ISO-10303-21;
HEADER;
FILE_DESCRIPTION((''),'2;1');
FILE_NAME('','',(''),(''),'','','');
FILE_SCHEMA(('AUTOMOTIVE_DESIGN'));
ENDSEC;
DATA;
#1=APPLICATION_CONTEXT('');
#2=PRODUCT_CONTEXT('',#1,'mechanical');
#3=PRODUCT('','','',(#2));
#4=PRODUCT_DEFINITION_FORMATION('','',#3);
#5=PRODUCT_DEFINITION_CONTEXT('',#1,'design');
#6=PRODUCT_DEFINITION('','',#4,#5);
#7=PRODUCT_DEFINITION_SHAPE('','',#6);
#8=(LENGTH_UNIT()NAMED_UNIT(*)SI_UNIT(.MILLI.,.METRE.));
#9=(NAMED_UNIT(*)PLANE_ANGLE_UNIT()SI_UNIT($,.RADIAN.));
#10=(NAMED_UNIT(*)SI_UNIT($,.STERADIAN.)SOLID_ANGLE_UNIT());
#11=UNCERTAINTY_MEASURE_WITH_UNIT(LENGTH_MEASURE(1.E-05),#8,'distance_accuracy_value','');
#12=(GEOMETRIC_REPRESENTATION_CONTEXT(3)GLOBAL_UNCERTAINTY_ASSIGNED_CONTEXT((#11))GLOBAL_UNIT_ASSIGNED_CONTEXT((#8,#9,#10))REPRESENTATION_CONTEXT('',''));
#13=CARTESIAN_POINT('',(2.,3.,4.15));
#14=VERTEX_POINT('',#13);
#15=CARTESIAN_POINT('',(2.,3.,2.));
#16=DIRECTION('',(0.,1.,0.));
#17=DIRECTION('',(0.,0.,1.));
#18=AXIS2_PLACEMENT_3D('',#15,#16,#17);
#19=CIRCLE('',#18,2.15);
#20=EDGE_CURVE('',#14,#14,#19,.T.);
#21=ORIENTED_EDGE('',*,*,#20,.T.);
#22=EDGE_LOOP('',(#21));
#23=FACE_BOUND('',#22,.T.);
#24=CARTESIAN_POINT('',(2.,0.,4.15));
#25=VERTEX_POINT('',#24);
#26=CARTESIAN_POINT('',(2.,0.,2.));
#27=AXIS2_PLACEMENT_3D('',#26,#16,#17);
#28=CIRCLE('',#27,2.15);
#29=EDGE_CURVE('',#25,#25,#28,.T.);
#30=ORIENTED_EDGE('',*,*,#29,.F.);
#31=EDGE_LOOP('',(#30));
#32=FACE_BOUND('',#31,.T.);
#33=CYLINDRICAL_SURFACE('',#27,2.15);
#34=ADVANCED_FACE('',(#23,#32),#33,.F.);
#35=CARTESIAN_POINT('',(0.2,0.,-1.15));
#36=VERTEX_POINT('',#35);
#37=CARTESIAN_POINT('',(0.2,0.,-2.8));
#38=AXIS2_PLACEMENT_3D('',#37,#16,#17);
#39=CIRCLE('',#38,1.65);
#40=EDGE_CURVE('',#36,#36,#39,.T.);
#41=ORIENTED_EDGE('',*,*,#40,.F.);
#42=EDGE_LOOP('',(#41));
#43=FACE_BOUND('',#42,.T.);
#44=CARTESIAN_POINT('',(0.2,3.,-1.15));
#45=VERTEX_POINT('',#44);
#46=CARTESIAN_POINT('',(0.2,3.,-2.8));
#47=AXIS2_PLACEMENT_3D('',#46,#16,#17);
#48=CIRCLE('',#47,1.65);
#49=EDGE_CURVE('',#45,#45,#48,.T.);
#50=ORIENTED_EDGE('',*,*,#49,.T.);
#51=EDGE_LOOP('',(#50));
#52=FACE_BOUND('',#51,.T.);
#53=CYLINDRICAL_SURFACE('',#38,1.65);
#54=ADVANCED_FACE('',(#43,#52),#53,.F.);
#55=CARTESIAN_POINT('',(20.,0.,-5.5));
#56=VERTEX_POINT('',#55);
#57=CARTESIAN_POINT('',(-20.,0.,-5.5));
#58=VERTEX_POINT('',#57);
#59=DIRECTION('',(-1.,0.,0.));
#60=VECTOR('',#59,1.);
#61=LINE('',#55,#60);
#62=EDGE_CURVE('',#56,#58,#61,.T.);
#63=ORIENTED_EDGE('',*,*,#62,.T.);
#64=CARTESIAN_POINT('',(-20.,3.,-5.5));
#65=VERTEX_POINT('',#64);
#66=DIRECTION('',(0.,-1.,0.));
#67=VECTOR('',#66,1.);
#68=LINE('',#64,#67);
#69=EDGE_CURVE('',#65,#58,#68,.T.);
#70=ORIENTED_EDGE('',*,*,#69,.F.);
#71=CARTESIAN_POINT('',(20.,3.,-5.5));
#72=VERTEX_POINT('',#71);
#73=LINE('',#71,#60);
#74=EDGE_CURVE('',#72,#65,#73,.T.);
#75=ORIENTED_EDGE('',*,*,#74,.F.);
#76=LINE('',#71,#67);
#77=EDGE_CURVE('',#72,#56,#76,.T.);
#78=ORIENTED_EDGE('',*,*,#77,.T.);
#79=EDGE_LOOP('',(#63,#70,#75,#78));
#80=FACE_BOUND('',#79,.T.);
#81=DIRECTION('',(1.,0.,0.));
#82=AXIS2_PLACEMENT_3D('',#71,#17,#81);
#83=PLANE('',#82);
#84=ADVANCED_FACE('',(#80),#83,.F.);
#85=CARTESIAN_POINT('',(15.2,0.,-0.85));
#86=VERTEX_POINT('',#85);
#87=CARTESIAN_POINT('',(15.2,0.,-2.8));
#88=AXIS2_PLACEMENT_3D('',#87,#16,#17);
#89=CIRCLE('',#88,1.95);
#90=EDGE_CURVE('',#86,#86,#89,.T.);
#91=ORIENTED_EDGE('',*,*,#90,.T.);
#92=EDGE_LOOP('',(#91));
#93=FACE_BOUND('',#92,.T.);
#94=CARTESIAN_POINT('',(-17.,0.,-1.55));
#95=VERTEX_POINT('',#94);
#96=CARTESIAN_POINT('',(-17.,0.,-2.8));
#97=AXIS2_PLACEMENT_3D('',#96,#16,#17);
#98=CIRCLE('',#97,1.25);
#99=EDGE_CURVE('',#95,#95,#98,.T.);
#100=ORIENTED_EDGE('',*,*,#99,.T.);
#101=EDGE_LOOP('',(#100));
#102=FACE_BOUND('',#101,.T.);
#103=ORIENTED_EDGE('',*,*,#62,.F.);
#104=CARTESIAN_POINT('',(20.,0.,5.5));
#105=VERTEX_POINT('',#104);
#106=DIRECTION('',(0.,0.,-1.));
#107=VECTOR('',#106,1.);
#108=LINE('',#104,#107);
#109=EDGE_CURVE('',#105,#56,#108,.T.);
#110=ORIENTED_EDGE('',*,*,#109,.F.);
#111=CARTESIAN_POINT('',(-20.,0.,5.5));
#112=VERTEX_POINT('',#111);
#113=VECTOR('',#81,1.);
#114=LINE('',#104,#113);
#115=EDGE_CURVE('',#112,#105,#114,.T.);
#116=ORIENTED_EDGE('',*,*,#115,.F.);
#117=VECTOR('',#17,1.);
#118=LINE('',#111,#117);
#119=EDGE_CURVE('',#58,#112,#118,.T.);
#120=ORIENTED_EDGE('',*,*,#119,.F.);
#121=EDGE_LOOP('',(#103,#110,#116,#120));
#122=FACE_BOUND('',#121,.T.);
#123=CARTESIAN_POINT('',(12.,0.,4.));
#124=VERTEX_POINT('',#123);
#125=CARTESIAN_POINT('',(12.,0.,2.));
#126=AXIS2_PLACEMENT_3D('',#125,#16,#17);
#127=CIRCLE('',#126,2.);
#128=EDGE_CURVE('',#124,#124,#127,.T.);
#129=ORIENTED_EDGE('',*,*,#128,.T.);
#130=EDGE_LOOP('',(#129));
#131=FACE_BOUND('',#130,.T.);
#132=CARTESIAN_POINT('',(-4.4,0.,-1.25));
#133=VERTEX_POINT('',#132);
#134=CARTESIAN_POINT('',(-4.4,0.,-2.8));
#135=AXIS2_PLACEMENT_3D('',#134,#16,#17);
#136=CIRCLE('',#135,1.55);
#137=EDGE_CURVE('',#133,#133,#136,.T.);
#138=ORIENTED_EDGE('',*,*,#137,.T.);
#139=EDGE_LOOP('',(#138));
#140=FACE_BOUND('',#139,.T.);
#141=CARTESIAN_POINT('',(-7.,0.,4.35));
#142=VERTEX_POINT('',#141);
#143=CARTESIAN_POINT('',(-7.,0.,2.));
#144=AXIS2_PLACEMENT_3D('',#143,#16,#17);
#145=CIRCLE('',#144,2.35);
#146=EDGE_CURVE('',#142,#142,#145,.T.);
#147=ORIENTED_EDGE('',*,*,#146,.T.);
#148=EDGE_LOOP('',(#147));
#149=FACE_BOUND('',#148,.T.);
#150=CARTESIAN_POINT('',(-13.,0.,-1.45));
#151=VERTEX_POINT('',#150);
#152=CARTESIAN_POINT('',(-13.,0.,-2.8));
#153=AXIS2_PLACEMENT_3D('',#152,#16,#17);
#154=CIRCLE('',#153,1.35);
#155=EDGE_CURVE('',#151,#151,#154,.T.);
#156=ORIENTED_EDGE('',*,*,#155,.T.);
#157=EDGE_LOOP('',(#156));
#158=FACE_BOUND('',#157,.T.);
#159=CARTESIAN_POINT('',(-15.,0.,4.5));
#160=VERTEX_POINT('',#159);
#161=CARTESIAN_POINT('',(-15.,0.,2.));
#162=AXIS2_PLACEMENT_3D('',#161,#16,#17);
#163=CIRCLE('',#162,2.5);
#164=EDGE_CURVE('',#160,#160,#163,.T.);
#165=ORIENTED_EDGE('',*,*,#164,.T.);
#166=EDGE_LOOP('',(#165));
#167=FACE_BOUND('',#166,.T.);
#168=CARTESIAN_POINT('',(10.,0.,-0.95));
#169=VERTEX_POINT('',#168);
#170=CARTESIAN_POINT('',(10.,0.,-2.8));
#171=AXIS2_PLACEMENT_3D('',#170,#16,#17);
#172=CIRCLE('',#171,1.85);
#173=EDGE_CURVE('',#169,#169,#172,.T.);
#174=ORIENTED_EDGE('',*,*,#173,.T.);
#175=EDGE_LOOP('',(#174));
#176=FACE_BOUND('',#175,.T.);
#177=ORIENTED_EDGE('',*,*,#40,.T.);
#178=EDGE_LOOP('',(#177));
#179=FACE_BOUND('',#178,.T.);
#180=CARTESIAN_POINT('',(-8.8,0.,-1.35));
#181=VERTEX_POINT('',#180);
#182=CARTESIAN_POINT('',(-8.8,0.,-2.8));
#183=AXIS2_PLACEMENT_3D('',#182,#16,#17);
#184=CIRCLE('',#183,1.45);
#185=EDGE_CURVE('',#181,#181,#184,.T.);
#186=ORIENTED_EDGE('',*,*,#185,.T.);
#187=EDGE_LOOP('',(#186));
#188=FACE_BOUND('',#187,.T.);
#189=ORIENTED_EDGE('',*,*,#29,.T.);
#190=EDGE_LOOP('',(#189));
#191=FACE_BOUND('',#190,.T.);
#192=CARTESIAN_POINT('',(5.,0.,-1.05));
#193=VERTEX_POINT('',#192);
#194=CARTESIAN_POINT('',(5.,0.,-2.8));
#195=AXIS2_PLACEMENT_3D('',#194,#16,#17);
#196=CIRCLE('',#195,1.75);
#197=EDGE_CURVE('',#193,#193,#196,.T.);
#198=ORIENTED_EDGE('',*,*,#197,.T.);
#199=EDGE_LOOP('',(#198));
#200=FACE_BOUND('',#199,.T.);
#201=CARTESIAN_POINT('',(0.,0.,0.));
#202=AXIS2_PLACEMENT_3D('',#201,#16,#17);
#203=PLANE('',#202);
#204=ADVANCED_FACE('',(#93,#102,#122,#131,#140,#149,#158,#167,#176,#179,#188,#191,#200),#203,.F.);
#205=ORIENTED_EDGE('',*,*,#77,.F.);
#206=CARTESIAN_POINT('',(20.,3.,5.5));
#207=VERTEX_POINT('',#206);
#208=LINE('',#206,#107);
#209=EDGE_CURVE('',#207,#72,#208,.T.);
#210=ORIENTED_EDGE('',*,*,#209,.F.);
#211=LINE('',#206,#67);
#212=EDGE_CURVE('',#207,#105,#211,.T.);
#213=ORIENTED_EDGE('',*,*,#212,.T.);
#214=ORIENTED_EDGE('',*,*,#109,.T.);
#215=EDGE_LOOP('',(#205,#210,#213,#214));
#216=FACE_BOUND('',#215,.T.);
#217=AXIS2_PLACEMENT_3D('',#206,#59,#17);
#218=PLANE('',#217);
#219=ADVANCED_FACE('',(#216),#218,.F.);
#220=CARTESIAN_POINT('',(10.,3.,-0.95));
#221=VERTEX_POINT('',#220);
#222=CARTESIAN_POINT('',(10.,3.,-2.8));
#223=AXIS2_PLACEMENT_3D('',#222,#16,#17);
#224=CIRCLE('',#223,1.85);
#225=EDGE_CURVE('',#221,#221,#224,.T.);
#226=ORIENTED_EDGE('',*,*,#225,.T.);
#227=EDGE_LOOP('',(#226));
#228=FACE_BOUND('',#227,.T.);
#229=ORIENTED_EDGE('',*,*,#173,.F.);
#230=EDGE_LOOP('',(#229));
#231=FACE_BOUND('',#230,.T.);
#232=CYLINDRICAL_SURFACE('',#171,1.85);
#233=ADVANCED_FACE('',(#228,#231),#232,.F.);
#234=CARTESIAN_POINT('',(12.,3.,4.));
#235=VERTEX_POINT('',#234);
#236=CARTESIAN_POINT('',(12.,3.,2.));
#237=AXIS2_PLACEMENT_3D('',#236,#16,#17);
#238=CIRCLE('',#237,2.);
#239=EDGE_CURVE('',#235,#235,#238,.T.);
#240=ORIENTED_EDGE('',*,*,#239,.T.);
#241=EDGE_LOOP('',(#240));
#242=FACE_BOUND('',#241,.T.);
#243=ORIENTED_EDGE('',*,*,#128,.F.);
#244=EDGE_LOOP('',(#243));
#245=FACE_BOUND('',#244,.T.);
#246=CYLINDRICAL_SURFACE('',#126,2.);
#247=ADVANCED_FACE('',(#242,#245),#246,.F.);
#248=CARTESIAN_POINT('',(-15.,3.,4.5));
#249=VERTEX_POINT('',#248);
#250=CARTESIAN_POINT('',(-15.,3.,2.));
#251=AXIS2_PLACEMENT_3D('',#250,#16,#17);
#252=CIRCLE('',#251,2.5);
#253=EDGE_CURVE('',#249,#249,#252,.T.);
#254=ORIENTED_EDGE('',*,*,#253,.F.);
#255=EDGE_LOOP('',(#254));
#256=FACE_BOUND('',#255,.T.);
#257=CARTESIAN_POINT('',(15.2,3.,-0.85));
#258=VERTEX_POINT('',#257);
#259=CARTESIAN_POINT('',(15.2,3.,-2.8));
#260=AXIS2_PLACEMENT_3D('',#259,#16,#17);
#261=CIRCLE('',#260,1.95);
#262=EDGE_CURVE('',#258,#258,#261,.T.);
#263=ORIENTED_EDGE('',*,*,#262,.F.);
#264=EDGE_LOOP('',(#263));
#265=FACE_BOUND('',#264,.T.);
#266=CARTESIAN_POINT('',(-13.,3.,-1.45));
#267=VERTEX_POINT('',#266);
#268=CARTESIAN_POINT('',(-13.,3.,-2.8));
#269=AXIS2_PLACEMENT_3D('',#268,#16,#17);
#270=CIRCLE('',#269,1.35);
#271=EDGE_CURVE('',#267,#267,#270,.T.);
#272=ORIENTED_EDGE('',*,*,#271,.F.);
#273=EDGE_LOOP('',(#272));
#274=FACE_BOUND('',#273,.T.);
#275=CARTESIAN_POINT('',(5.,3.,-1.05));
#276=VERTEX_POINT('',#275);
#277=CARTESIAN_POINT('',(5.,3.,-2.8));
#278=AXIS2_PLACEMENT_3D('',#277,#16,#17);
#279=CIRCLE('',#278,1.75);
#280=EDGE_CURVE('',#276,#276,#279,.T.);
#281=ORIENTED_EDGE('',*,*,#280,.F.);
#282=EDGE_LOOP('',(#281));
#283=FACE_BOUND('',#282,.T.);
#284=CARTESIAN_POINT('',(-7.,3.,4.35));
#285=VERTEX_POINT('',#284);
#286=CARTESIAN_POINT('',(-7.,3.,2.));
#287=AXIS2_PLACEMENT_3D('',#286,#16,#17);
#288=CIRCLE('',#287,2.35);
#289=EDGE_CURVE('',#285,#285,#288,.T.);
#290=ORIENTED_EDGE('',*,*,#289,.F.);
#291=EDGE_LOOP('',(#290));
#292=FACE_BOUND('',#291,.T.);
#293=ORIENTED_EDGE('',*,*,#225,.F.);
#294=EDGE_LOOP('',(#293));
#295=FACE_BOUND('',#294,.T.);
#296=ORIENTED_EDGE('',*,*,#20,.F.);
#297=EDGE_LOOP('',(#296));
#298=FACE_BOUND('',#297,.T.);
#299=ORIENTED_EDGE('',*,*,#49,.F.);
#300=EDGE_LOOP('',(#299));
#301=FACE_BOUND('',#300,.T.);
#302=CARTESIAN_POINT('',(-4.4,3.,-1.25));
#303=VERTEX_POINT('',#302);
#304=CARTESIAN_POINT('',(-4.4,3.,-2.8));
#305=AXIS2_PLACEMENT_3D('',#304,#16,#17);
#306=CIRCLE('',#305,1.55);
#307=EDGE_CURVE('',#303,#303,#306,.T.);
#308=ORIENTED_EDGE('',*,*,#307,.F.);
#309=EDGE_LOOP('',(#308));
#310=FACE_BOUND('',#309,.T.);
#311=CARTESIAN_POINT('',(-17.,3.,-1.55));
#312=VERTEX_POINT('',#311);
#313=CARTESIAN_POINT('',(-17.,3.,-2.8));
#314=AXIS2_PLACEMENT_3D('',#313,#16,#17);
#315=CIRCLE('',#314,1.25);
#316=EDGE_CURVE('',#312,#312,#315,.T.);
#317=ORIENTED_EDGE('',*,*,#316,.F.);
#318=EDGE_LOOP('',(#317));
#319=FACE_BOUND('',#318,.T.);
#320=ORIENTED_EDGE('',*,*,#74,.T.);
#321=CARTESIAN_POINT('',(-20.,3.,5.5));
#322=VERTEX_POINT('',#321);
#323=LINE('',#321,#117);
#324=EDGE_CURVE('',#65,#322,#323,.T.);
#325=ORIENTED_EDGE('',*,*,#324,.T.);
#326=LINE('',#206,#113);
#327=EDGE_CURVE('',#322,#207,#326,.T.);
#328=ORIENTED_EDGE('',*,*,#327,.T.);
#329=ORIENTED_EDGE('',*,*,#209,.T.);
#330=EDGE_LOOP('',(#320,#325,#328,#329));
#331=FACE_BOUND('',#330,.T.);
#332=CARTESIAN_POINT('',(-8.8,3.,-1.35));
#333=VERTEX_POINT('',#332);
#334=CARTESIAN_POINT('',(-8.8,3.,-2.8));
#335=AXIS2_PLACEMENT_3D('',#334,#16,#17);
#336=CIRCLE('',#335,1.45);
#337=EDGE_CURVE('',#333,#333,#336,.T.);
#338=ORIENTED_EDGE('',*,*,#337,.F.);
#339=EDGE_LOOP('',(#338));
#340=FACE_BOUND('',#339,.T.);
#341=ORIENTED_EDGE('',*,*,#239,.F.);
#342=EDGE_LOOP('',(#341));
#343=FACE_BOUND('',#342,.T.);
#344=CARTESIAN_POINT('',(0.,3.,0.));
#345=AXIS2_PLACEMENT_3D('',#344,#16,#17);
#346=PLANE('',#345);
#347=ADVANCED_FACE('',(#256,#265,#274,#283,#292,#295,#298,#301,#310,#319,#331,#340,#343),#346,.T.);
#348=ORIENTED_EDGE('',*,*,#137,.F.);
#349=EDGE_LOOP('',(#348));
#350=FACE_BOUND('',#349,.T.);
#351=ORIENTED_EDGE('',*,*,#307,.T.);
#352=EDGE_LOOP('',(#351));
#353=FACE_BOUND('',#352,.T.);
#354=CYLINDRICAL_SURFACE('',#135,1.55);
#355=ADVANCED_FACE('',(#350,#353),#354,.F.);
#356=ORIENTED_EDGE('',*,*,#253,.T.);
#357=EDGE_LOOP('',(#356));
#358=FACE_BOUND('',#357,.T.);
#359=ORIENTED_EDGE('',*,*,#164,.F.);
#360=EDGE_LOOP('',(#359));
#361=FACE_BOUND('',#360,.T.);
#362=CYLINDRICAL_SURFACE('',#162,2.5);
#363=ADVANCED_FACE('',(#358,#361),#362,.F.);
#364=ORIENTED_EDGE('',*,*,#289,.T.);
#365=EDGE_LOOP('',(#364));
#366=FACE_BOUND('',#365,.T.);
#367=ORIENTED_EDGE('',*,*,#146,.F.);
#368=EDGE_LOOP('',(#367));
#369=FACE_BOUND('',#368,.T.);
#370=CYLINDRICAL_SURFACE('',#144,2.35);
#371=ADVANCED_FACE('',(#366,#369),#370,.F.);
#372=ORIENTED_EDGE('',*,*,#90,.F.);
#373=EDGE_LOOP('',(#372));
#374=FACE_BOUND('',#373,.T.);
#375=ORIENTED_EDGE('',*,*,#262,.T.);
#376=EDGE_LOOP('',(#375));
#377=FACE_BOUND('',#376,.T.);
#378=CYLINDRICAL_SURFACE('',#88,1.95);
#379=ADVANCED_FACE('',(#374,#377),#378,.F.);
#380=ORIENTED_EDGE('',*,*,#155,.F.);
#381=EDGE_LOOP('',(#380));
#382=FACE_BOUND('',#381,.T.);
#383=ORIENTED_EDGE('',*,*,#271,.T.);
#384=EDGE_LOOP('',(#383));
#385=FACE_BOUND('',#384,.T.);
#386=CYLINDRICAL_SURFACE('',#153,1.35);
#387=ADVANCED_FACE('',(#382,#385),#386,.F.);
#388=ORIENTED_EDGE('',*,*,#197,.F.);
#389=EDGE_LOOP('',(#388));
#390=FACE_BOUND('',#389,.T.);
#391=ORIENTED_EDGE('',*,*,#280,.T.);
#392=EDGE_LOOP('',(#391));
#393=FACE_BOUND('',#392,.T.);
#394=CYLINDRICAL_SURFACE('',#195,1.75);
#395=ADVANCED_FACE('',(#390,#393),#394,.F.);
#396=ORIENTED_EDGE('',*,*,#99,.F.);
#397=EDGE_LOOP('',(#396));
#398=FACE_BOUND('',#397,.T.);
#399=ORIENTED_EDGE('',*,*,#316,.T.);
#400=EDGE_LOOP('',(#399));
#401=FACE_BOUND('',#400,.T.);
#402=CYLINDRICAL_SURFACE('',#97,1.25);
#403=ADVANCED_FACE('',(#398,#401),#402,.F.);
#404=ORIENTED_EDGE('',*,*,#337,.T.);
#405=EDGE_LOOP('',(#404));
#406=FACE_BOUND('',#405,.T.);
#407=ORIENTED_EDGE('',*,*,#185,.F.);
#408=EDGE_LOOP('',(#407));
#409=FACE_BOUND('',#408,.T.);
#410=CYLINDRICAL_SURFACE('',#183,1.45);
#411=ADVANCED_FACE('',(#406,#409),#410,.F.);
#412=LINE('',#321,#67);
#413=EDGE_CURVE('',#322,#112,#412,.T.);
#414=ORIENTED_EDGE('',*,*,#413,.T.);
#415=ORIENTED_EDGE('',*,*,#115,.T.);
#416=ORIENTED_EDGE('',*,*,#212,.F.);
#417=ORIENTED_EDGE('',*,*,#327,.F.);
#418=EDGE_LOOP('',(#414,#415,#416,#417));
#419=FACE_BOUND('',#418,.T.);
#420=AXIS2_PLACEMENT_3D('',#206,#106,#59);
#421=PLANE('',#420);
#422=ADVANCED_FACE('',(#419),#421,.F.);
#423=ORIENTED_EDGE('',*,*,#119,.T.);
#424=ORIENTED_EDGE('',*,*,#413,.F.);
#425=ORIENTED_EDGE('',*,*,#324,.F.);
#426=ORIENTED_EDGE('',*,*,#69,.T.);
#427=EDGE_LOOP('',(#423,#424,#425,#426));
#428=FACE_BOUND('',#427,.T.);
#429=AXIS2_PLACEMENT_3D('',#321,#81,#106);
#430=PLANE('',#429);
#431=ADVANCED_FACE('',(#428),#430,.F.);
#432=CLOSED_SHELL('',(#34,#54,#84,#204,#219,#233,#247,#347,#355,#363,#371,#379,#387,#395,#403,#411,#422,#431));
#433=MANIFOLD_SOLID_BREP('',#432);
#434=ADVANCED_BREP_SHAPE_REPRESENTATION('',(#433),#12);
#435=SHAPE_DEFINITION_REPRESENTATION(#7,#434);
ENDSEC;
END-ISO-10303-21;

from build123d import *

# Parameters (mm, degrees)
SKETCH1_W           = 40
SKETCH1_H           = 11
BOSS_EXTRUDE1_DEPTH = 3
SKETCH2_R           = 1.25
SKETCH2_R_2         = 1.35
SKETCH2_R_3         = 1.45
SKETCH2_R_4         = 1.55
SKETCH2_R_5         = 1.65
SKETCH2_R_6         = 1.75
SKETCH2_R_7         = 1.85
SKETCH2_R_8         = 1.95
SKETCH2_R_9         = 2.15
SKETCH2_R_10        = 2
SKETCH2_R_11        = 2.5
SKETCH2_R_12        = 2.35
CUT_EXTRUDE1_DEPTH  = 21.958291915


with BuildPart() as part:
    # Sketch1 → Boss-Extrude1 (new body)
    with BuildSketch(Plane(origin=(0, 0, 0), x_dir=(1, 0, 0), z_dir=(0, 1, 0))):
        Rectangle(SKETCH1_W, SKETCH1_H)
    extrude(amount=BOSS_EXTRUDE1_DEPTH)

    # Sketch2 → Cut-Extrude1 (cut, through all)
    with BuildSketch(Plane(origin=(0, 3, 0), x_dir=(1, 0, 0), z_dir=(0, 1, 0))):
        with Locations(Location((-17, 2.8, 0), (0, 0, 270))):
            Circle(SKETCH2_R)
        with Locations(Location((-13, 2.8, 0), (0, 0, 270))):
            Circle(SKETCH2_R_2)
        with Locations(Location((-8.8, 2.8, 0), (0, 0, 270))):
            Circle(SKETCH2_R_3)
        with Locations(Location((-4.4, 2.8, 0), (0, 0, 270))):
            Circle(SKETCH2_R_4)
        with Locations(Location((0.2, 2.8, 0), (0, 0, 270))):
            Circle(SKETCH2_R_5)
        with Locations(Location((5, 2.8, 0), (0, 0, 270))):
            Circle(SKETCH2_R_6)
        with Locations(Location((10, 2.8, 0), (0, 0, 270))):
            Circle(SKETCH2_R_7)
        with Locations(Location((15.2, 2.8, 0), (0, 0, 270))):
            Circle(SKETCH2_R_8)
        with Locations(Location((2, -2, 0), (0, 0, 270))):
            Circle(SKETCH2_R_9)
        with Locations(Location((12, -2, 0), (0, 0, 270))):
            Circle(SKETCH2_R_10)
        with Locations(Location((-15, -2, 0), (0, 0, 270))):
            Circle(SKETCH2_R_11)
        with Locations(Location((-7, -2, 0), (0, 0, 270))):
            Circle(SKETCH2_R_12)
    extrude(amount=-CUT_EXTRUDE1_DEPTH, mode=Mode.SUBTRACT)


solid = part.part
